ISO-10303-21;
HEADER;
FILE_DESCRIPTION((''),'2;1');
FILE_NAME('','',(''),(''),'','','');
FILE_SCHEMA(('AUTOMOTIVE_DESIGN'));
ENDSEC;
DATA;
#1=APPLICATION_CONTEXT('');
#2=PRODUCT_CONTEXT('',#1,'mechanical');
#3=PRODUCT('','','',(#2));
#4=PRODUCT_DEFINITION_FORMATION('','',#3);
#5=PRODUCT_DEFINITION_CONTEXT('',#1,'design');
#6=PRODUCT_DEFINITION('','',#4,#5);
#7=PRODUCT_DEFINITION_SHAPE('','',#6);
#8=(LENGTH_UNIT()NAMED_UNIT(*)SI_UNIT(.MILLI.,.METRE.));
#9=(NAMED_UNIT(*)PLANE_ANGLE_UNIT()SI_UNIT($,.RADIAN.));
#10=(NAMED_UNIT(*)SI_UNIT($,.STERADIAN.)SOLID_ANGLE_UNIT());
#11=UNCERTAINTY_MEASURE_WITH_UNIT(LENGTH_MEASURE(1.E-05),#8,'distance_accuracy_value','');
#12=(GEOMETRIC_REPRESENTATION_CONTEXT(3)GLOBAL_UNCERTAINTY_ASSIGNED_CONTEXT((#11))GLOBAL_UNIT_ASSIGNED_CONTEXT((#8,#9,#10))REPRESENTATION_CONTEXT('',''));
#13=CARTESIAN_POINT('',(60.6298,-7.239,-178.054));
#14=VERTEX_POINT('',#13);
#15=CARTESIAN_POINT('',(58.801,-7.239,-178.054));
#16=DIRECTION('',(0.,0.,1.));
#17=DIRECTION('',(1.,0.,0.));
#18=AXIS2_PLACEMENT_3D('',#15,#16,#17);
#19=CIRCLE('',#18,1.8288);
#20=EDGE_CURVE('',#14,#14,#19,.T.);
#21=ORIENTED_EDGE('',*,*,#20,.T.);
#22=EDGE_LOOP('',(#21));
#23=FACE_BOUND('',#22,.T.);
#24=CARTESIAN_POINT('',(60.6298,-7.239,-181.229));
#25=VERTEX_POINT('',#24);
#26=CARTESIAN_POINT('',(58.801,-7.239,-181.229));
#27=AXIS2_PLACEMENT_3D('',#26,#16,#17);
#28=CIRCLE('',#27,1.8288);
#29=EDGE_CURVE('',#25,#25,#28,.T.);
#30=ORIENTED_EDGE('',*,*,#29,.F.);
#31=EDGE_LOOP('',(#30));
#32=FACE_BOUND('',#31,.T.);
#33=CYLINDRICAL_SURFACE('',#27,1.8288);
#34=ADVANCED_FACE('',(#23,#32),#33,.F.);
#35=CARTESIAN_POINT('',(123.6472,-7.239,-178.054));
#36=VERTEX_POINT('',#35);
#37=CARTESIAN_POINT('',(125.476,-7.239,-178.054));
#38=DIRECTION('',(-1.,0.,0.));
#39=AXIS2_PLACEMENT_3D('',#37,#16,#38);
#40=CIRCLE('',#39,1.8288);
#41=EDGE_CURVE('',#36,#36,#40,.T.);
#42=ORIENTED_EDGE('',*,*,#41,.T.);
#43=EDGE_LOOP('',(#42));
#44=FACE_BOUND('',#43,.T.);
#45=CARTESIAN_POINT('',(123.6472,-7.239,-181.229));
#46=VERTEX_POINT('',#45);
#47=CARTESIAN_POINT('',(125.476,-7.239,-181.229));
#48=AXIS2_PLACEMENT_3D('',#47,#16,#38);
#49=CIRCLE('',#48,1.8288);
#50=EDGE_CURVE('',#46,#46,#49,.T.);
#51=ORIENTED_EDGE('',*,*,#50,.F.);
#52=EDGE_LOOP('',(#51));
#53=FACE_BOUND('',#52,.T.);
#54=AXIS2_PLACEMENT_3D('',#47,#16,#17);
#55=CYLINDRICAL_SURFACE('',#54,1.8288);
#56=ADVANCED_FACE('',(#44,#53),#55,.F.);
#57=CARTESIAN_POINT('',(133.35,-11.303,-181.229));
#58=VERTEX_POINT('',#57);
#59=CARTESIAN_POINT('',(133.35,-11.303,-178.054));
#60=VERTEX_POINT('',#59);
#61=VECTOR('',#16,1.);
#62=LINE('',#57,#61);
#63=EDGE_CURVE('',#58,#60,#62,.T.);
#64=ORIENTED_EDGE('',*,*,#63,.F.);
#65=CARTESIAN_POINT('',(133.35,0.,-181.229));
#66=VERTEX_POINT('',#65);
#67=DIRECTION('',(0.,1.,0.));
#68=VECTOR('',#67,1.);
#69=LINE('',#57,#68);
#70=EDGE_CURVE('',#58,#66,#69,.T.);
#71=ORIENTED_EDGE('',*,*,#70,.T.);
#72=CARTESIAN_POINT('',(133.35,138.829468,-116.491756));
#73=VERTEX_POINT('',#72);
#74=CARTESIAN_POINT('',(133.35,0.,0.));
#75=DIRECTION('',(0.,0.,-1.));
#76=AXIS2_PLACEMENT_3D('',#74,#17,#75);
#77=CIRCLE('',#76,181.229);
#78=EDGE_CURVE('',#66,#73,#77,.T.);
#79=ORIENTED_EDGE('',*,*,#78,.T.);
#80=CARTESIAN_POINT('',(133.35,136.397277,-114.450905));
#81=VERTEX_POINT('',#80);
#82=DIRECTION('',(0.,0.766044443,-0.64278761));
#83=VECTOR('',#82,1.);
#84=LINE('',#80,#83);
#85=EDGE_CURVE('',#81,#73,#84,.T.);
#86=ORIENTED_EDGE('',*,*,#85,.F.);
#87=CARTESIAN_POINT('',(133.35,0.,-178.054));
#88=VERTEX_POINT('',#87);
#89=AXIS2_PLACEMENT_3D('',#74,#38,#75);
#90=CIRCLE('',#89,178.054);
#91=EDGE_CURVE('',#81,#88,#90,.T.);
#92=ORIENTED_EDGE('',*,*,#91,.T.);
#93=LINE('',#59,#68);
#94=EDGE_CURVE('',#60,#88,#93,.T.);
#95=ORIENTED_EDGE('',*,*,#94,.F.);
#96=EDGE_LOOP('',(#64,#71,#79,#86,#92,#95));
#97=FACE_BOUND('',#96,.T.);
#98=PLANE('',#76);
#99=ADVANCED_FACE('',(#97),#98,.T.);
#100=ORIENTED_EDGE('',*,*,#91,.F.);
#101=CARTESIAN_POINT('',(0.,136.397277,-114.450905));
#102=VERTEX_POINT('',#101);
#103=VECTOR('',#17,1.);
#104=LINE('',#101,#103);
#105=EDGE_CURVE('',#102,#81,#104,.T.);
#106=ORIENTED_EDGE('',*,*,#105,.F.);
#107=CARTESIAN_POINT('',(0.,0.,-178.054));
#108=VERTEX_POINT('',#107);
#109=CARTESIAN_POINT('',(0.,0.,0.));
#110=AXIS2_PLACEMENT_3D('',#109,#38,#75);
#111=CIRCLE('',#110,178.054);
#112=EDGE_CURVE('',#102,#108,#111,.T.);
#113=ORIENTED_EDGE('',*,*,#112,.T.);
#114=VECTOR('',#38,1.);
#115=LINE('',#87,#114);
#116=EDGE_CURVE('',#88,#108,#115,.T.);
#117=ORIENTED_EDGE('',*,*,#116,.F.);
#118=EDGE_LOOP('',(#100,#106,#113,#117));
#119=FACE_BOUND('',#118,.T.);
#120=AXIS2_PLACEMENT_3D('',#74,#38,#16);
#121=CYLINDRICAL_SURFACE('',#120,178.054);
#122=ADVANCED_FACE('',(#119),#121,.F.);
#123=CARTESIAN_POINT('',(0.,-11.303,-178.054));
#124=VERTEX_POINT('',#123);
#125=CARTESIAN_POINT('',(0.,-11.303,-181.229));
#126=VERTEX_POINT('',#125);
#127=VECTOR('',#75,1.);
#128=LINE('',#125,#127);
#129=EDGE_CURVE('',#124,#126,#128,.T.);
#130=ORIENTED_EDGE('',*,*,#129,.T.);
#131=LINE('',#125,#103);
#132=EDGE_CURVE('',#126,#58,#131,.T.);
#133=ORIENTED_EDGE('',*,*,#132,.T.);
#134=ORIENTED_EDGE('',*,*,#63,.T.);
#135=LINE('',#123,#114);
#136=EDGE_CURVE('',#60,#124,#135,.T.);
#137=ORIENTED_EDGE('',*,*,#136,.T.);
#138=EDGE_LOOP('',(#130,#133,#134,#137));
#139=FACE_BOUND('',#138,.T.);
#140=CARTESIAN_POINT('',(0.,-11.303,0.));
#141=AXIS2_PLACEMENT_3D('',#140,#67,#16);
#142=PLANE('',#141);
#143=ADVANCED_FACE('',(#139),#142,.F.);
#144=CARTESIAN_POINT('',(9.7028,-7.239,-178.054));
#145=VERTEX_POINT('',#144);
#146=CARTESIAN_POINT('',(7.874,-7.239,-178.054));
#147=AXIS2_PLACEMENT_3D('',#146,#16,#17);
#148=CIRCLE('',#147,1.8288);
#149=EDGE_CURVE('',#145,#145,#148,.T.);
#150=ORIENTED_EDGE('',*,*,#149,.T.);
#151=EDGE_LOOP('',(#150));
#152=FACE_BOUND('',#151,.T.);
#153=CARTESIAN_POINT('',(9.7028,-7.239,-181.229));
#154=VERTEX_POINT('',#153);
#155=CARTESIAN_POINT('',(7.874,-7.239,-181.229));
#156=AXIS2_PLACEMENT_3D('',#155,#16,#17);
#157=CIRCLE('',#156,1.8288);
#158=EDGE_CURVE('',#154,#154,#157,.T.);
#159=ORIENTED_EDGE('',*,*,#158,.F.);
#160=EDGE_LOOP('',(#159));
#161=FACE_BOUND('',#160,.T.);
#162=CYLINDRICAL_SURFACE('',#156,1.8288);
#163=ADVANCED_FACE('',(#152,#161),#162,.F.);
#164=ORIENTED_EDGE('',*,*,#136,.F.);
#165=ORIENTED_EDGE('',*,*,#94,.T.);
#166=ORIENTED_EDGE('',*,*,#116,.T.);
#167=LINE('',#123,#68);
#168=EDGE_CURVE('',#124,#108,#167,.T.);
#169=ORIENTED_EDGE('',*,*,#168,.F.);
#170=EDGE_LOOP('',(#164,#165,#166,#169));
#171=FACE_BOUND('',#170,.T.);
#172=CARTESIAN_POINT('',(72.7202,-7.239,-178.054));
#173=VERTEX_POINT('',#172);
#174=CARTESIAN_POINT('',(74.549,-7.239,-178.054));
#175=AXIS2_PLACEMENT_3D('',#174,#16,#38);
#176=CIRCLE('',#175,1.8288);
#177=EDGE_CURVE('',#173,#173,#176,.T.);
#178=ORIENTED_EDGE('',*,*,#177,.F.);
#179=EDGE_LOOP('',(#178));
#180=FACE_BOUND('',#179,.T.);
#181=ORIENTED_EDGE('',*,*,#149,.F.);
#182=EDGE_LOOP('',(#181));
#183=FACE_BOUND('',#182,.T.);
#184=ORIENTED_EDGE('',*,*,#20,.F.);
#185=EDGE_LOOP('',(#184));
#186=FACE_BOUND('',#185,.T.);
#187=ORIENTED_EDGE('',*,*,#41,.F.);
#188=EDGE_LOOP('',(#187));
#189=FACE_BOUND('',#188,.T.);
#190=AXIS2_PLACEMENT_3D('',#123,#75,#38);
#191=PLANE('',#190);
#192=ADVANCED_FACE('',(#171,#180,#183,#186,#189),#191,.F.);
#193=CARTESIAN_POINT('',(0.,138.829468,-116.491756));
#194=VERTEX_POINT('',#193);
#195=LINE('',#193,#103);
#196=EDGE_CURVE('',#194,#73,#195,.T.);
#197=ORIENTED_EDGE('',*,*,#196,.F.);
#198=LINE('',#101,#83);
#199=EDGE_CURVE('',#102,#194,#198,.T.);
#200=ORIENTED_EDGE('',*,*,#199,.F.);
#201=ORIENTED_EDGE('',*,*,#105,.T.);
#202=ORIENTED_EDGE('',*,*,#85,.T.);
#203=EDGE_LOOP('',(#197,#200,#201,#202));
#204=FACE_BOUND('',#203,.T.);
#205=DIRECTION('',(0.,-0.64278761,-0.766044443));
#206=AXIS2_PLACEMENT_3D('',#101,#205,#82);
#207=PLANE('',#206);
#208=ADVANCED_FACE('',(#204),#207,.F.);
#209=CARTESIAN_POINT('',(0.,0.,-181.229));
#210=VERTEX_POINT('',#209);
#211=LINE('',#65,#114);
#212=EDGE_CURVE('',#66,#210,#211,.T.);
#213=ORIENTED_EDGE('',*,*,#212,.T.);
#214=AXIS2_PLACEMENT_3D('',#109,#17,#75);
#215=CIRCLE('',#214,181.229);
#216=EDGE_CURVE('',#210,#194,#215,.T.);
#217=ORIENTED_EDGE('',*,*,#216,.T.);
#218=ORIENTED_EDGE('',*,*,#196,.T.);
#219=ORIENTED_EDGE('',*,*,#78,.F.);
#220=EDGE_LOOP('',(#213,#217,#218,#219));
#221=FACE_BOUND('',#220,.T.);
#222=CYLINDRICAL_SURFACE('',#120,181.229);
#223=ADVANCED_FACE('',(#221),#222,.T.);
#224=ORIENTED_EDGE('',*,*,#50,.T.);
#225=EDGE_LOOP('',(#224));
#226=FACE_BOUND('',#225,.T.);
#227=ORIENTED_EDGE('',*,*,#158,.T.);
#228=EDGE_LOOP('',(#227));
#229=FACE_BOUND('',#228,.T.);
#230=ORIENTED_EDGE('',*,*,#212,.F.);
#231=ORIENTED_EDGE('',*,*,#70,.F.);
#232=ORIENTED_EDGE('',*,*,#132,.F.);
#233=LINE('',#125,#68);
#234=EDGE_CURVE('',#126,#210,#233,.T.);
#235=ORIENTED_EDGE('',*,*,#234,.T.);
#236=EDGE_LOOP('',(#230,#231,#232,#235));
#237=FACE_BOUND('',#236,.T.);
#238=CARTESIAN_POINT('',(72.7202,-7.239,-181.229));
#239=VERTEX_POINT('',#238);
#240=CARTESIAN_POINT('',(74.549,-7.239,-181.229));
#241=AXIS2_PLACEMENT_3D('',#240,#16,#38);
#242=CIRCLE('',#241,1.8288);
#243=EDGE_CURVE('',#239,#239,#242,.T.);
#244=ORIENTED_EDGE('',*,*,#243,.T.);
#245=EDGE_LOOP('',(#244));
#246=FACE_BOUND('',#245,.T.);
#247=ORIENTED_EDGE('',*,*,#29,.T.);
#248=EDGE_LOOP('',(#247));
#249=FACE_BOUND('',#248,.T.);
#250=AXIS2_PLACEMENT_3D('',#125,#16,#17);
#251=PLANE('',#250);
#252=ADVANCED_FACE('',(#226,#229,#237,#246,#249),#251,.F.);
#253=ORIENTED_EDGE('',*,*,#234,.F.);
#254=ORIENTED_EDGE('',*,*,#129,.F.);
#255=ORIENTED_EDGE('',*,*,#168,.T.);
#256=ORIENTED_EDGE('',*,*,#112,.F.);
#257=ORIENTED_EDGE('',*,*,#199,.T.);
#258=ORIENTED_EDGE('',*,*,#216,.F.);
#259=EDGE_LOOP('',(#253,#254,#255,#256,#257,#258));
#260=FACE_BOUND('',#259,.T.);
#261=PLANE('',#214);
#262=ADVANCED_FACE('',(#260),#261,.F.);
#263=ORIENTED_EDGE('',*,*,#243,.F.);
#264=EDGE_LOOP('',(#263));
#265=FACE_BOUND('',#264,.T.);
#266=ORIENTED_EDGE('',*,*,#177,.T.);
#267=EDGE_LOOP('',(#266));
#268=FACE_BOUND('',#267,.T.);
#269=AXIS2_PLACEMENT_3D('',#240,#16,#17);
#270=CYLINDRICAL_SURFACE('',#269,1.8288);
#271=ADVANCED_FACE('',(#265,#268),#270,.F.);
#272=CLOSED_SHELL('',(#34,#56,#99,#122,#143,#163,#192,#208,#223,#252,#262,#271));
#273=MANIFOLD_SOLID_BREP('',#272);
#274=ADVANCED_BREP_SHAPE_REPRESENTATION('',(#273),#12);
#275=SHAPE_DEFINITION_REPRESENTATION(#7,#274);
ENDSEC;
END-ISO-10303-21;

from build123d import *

# Parameters (mm, degrees)
BOSS_EXTRUDE1_DEPTH = 133.35
CUT_EXTRUDE1_DEPTH  = 134.35
SKETCH3_W           = 133.35
SKETCH3_H           = 3.175
BOSS_EXTRUDE2_DEPTH = 11.303
SKETCH4_R           = 1.8288
CUT_EXTRUDE2_DEPTH  = 4.175


with BuildPart() as part:
    # Sketch1 → Boss-Extrude1 (new body)
    with BuildSketch(Plane(origin=(0, 0, 0), x_dir=(0, 0, -1), z_dir=(1, 0, 0))):
        with BuildLine():
            Line((0, 178.054), (0, 181.229))
            ThreePointArc((0, 181.229), (128.148254848, 128.148254848), (181.229, 0))
            Line((181.229, 0), (178.054, 0))
            ThreePointArc((178.054, 0), (125.903190817, 125.903190817), (0, 178.054))
        make_face()
    extrude(amount=BOSS_EXTRUDE1_DEPTH)

    # Sketch2 → Cut-Extrude1 (cut, through all)
    with BuildSketch(Plane(origin=(133.35, 0, 0), x_dir=(0, 0, -1), z_dir=(1, 0, 0))):
        with BuildLine():
            Line((114.450905055, 136.397277275), (116.491755716, 138.829468382))
            ThreePointArc((116.491755716, 138.829468382), (61.983968555, 170.299553972), (0, 181.229))
            Line((0, 181.229), (0, 178.054))
            ThreePointArc((0, 178.054), (60.8980546, 167.316029901), (114.450905055, 136.397277275))
        make_face()
    extrude(amount=-CUT_EXTRUDE1_DEPTH, mode=Mode.SUBTRACT)

    # Sketch3 → Boss-Extrude2 (add)
    with BuildSketch(Plane.XZ):
        with Locations((66.675, -179.6415)):
            Rectangle(SKETCH3_W, SKETCH3_H)
    extrude(amount=BOSS_EXTRUDE2_DEPTH)

    # Sketch4 → Cut-Extrude2 (cut, through all)
    with BuildSketch(Plane.XY.offset(-178.054)):
        with Locations((7.874, -7.239)):
            Circle(SKETCH4_R)
        with Locations((58.801, -7.239)):
            Circle(SKETCH4_R)
        with Locations((74.549, -7.239)):
            Circle(SKETCH4_R)
        with Locations((125.476, -7.239)):
            Circle(SKETCH4_R)
    extrude(amount=-CUT_EXTRUDE2_DEPTH, mode=Mode.SUBTRACT)


solid = part.part
